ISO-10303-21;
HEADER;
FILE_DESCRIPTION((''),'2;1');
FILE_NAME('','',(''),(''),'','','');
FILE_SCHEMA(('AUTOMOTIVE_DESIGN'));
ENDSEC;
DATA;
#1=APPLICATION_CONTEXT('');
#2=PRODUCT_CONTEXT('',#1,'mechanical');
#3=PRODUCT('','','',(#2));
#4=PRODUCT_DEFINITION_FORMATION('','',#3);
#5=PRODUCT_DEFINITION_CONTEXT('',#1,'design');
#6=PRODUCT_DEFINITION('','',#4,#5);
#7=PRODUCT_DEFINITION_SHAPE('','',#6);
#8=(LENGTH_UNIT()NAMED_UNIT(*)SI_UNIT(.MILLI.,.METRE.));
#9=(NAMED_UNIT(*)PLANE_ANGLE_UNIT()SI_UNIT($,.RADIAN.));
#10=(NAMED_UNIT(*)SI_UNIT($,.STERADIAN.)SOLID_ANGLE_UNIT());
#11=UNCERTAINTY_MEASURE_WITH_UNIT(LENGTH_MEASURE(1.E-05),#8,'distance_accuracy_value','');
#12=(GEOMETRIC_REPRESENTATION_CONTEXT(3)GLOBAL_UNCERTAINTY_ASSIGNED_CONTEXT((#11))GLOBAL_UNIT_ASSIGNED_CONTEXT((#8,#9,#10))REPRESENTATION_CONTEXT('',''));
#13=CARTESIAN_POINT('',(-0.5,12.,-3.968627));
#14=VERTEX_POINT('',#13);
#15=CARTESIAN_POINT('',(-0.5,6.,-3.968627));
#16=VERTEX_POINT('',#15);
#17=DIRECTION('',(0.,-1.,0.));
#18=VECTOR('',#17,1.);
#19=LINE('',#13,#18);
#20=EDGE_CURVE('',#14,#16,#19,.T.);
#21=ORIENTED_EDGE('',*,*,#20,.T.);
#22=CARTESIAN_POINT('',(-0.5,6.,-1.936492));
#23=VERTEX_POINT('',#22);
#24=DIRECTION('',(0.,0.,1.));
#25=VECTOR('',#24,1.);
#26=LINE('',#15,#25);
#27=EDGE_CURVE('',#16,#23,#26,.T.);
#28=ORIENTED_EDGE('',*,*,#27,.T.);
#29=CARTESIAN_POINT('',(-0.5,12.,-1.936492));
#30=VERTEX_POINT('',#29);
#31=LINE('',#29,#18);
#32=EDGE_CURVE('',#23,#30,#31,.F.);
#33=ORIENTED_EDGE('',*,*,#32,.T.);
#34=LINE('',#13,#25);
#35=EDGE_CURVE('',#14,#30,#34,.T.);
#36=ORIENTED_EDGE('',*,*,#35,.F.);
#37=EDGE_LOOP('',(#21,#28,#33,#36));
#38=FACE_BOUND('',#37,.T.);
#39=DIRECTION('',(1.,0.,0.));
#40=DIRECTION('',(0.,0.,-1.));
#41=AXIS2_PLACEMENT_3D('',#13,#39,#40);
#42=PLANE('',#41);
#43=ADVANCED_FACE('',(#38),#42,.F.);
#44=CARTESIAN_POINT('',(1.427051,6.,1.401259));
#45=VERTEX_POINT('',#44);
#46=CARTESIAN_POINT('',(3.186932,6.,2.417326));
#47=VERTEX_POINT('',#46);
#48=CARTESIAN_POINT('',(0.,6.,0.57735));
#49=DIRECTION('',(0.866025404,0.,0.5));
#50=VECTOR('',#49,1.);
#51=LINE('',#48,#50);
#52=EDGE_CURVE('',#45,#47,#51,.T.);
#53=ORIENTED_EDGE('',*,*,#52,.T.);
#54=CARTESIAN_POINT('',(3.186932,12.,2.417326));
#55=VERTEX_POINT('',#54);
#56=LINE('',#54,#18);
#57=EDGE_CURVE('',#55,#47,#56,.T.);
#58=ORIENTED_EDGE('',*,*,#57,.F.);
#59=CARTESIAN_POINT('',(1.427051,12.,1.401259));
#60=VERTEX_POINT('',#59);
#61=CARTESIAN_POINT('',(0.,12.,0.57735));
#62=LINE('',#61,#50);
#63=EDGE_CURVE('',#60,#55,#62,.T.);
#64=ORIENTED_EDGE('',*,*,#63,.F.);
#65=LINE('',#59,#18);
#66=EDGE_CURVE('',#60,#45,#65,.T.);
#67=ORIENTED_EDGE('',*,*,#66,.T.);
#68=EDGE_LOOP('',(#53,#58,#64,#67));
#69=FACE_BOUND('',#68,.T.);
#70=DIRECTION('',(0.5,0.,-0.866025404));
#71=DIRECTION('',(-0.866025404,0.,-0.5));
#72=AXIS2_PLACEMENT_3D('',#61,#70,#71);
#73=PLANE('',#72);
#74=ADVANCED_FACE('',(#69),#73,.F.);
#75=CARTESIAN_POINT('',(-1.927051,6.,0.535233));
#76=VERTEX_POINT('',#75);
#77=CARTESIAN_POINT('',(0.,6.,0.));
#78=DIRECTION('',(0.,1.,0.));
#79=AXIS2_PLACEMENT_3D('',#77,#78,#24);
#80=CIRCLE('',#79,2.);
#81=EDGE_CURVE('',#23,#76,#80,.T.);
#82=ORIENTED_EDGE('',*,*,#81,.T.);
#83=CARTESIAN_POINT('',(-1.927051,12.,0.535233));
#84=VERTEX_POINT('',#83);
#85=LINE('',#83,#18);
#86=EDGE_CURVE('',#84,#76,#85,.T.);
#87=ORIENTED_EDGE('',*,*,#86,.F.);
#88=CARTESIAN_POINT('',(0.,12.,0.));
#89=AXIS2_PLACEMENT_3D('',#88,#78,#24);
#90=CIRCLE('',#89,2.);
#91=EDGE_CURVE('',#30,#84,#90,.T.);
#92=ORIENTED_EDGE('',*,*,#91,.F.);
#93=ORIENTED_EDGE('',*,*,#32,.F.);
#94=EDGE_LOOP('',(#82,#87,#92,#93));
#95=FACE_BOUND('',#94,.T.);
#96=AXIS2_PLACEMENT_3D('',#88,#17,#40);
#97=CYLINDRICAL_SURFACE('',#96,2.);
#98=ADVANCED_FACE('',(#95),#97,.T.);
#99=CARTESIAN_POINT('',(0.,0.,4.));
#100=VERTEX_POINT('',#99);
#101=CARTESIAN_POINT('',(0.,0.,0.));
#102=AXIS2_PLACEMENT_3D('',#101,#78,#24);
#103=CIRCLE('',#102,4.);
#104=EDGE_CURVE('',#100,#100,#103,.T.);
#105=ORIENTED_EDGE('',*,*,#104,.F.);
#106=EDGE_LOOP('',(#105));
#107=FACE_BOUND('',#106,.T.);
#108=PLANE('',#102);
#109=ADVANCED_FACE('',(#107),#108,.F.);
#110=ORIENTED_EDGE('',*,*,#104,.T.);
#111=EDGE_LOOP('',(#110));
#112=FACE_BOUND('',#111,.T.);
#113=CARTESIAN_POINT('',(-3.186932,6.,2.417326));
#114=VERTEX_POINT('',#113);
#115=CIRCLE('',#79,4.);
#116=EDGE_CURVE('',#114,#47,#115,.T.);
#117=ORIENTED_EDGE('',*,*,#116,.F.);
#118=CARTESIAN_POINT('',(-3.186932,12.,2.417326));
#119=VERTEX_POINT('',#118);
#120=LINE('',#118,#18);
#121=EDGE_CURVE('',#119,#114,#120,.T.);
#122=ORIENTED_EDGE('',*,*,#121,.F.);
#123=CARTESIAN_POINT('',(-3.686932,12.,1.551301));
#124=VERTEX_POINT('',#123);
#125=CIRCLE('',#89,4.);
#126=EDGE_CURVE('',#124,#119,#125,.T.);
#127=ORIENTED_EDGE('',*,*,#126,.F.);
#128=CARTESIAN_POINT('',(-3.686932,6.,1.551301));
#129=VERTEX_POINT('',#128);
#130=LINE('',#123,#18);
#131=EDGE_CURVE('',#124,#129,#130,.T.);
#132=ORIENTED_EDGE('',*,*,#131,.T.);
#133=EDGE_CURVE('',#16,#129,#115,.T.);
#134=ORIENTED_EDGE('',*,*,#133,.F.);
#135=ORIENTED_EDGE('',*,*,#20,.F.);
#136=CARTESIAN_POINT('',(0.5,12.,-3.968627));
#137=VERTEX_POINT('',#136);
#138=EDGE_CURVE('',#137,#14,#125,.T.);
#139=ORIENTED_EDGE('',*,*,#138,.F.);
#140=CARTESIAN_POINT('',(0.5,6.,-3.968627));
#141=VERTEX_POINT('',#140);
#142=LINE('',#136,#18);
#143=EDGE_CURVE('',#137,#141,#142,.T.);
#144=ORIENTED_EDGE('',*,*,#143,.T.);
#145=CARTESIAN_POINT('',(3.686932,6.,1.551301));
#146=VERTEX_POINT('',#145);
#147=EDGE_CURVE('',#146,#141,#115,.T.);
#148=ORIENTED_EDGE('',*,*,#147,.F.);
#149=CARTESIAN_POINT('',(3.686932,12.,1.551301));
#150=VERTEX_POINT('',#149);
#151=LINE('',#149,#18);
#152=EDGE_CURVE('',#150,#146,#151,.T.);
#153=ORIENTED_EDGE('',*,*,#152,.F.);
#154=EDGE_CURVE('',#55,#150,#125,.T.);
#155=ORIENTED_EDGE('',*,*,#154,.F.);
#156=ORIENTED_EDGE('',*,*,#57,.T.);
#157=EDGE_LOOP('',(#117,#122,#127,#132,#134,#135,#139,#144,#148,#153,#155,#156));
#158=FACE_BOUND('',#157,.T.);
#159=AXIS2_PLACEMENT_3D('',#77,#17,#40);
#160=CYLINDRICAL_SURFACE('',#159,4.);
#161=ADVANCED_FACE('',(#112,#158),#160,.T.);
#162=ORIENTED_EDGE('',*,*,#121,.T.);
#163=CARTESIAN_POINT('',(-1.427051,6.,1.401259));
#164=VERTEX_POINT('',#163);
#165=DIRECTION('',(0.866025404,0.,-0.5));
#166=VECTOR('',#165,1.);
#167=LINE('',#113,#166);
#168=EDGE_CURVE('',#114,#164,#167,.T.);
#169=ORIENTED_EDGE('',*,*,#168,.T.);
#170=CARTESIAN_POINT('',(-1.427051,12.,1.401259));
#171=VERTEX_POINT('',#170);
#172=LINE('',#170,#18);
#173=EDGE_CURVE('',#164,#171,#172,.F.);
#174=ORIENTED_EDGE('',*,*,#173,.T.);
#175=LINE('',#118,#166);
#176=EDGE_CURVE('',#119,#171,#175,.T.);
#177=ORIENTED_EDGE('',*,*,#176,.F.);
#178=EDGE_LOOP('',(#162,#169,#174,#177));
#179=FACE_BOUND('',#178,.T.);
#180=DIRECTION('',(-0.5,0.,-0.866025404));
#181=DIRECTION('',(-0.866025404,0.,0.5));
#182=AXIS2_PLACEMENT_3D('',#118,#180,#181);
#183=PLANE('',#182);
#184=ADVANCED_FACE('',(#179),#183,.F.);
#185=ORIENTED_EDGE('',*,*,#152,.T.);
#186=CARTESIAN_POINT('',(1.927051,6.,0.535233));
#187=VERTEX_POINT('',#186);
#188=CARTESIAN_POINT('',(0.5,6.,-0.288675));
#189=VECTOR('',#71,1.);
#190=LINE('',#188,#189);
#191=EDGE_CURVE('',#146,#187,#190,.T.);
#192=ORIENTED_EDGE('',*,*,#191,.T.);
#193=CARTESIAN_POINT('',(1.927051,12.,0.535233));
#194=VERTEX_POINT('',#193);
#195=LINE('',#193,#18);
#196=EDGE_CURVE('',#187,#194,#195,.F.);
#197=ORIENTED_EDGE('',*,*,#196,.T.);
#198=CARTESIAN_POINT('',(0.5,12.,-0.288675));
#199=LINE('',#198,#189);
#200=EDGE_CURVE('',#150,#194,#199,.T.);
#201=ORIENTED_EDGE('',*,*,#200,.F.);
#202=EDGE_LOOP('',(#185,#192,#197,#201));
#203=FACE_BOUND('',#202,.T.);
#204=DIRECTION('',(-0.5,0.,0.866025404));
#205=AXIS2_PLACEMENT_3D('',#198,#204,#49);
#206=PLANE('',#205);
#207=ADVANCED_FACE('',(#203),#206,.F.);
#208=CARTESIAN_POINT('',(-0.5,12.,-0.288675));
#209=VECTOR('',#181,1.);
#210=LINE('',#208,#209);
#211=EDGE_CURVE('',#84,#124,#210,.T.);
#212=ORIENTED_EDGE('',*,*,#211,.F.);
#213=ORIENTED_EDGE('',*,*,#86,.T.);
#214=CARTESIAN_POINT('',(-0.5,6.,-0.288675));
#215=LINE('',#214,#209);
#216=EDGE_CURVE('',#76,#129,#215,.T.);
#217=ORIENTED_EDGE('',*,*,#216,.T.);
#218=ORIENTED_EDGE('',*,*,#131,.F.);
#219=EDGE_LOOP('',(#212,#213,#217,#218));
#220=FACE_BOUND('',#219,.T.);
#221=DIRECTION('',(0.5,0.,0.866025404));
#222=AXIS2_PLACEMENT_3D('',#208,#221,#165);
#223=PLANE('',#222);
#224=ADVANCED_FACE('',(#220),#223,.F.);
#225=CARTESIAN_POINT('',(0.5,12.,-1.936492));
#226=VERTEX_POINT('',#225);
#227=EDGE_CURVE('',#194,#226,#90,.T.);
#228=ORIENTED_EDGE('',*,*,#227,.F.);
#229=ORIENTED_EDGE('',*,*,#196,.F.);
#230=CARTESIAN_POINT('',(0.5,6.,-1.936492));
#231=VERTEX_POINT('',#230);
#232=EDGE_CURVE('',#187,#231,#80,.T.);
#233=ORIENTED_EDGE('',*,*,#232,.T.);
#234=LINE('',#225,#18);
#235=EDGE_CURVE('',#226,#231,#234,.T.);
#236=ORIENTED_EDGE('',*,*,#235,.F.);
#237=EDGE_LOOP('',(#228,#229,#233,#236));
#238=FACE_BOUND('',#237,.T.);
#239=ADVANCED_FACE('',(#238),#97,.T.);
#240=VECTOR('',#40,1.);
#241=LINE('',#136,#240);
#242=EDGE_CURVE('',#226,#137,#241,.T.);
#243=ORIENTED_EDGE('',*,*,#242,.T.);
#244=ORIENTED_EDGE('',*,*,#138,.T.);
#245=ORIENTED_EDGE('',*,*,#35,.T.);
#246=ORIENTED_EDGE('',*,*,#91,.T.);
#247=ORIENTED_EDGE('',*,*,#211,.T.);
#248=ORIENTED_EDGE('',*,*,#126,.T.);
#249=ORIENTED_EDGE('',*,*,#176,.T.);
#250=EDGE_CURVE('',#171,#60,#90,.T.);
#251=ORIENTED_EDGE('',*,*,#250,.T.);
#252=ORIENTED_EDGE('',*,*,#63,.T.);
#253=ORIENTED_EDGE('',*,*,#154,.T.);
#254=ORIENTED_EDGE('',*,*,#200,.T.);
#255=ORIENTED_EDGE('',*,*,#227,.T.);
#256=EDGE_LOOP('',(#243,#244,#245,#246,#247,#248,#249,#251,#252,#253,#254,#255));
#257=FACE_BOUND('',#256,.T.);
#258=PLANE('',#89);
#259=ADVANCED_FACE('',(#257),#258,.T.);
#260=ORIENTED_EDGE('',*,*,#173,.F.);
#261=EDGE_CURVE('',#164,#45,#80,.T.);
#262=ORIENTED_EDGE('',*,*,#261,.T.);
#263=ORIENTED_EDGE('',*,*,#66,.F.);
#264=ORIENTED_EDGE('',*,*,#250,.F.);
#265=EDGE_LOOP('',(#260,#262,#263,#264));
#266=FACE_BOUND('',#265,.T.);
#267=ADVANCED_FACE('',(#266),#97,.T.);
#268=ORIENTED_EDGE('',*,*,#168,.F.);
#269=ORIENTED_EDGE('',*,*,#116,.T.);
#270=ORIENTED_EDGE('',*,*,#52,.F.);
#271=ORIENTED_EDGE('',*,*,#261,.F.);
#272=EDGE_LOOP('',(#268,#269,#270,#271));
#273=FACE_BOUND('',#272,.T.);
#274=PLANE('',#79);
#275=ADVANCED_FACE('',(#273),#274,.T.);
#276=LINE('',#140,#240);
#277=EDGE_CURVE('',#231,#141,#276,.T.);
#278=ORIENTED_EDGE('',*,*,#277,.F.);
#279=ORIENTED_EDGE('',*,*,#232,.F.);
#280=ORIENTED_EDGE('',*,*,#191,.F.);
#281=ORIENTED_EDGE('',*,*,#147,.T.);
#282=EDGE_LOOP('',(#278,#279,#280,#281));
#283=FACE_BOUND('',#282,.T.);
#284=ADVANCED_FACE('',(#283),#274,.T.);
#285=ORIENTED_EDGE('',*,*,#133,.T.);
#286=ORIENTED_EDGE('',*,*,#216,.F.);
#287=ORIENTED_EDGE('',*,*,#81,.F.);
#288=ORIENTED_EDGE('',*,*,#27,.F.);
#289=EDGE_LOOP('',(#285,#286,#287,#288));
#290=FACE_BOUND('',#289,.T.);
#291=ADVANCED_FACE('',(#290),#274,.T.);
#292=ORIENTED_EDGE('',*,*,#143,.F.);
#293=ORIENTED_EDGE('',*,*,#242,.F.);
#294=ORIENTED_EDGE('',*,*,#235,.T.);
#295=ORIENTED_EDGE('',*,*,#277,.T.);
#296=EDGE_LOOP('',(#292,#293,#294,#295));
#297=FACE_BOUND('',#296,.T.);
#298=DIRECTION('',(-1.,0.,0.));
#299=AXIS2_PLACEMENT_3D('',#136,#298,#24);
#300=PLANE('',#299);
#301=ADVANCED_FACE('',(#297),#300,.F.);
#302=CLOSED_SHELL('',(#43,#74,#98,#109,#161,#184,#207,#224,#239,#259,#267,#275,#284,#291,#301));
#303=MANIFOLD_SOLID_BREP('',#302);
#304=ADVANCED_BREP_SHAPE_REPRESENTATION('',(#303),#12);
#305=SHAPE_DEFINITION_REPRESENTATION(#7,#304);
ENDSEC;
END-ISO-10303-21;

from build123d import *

# Parameters (mm, degrees)
SKETCH1_R           = 4
BOSS_EXTRUDE1_DEPTH = 6
SKETCH2_R           = 2
BOSS_EXTRUDE2_DEPTH = 6
BOSS_EXTRUDE3_DEPTH = 6


with BuildPart() as part:
    # Sketch1 → Boss-Extrude1 (new body)
    with BuildSketch(Plane(origin=(0, 0, 0), x_dir=(1, 0, 0), z_dir=(0, 1, 0))):
        with Locations(Location((0, 0, 0), (0, 0, 270))):
            Circle(SKETCH1_R)
    extrude(amount=BOSS_EXTRUDE1_DEPTH)

    # Sketch2 → Boss-Extrude2 (add)
    with BuildSketch(Plane(origin=(0, 6, 0), x_dir=(1, 0, 0), z_dir=(0, 1, 0))):
        with Locations(Location((0, 0, 0), (0, 0, 270))):
            Circle(SKETCH2_R)
    extrude(amount=BOSS_EXTRUDE2_DEPTH)

    # Sketch3 → Boss-Extrude3 (add)
    with BuildSketch(Plane(origin=(0, 6, 0), x_dir=(1, 0, 0), z_dir=(0, 1, 0))):
        with BuildLine():
            Line((-0.500000000000001, 3.968626966596886), (-0.5, 0.28867513459480454))
            Line((-0.5, 0.28867513459480454), (-3.6869317712168805, -1.551300781406223))
            ThreePointArc((-3.6869317712168805, -1.551300781406223), (-3.4641016151377557, -1.9999999999999982), (-3.186931771216881, -2.4173261851906616))
            Line((-3.186931771216881, -2.4173261851906616), (2.344e-14, -0.5773502691896194))
            Line((2.344e-14, -0.5773502691896194), (3.186931771216881, -2.4173261851906616))
            ThreePointArc((3.186931771216881, -2.4173261851906616), (3.4641016151377553, -1.9999999999999991), (3.6869317712168805, -1.551300781406223))
            Line((3.6869317712168805, -1.551300781406223), (0.5000000000000009, 0.28867513459480254))
            Line((0.5000000000000009, 0.28867513459480254), (0.49999999999999895, 3.968626966596886))
            ThreePointArc((0.49999999999999895, 3.968626966596886), (-1.53e-15, 4), (-0.500000000000001, 3.968626966596886))
        make_face()
    extrude(amount=BOSS_EXTRUDE3_DEPTH)


solid = part.part
